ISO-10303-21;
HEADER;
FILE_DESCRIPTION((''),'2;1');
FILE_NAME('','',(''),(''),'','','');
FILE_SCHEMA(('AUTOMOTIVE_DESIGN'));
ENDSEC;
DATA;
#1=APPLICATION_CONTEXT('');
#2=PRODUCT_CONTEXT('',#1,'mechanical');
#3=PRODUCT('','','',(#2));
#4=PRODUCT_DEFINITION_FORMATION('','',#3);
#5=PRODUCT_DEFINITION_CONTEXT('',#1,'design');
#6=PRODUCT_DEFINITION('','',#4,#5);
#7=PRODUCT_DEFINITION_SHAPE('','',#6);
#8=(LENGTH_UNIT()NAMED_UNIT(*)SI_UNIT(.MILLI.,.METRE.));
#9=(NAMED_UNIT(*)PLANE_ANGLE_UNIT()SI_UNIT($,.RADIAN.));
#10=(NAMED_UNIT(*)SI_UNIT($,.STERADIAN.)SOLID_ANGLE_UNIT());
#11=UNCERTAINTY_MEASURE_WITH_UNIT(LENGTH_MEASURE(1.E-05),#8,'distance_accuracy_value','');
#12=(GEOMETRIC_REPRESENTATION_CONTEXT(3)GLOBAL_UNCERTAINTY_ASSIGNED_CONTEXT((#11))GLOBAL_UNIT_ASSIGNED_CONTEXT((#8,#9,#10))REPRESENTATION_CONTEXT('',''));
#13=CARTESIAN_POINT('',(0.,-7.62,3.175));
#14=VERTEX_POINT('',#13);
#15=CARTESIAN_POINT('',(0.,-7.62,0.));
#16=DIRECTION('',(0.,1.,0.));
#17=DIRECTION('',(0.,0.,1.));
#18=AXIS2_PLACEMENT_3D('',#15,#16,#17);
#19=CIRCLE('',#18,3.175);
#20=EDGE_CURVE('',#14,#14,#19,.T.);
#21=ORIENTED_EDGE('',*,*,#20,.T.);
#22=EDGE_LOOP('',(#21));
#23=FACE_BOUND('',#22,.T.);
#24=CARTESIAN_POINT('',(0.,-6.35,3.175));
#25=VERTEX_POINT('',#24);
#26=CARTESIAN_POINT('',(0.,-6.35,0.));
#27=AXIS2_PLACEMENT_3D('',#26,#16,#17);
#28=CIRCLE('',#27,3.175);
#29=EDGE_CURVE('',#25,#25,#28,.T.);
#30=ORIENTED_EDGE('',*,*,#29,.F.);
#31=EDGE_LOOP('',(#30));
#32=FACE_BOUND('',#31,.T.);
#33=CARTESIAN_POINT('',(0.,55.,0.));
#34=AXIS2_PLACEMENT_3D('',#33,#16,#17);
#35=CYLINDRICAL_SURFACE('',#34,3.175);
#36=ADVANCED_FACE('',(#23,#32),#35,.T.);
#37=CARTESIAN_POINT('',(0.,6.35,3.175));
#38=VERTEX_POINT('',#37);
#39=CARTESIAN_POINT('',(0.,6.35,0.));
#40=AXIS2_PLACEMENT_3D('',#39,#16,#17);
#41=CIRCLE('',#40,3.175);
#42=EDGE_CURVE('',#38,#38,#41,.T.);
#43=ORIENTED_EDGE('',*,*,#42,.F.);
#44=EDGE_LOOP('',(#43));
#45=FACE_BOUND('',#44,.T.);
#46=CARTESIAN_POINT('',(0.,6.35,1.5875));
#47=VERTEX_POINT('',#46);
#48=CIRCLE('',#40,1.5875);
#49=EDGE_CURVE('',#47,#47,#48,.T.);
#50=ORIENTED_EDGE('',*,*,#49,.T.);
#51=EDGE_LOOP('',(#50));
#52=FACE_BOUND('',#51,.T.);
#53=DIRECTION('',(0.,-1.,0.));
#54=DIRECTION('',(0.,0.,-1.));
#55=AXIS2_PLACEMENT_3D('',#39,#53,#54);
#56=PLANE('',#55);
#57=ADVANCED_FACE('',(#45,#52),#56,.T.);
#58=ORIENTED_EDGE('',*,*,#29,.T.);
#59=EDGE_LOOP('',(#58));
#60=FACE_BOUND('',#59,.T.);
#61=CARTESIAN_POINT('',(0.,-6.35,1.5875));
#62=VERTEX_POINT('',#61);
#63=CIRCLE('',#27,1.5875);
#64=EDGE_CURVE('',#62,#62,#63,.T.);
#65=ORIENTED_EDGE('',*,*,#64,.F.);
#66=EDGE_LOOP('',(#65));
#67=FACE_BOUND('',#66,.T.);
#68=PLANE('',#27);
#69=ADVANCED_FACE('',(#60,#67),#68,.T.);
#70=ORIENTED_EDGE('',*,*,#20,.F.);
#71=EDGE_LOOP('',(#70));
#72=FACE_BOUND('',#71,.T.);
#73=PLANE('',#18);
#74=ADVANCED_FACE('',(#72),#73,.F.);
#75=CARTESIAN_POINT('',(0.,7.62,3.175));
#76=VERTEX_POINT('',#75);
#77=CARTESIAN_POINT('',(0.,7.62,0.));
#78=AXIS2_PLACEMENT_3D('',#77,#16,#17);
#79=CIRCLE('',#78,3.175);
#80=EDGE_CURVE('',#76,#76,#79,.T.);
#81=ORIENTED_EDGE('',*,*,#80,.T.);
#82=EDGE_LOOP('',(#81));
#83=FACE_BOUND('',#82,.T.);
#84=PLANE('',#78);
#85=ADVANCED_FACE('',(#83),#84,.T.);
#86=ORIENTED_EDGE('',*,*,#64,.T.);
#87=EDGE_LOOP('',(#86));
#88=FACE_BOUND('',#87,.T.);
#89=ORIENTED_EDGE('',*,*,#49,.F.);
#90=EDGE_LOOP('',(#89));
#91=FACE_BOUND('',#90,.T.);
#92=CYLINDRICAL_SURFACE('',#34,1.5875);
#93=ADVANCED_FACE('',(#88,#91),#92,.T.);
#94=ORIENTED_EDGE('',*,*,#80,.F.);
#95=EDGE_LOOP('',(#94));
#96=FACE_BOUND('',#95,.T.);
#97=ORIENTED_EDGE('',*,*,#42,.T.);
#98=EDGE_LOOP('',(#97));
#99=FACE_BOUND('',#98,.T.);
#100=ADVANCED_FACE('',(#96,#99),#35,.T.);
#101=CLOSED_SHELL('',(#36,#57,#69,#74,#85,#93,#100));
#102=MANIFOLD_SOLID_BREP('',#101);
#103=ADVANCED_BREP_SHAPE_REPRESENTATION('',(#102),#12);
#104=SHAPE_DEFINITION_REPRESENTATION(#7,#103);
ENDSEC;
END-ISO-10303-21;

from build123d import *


with BuildPart() as part:
    # Sketch1 → Revolve1 (revolve)
    with BuildSketch(Plane.XY):
        Polygon((3.175, 7.62), (0, 7.62), (0, -7.62), (3.175, -7.62), (3.175, -6.35), (1.5875, -6.35), (1.5875, 6.35), (3.175, 6.35), align=None)
    revolve(axis=Axis((0, 55, 0), (0, -1, 0)))


solid = part.part
